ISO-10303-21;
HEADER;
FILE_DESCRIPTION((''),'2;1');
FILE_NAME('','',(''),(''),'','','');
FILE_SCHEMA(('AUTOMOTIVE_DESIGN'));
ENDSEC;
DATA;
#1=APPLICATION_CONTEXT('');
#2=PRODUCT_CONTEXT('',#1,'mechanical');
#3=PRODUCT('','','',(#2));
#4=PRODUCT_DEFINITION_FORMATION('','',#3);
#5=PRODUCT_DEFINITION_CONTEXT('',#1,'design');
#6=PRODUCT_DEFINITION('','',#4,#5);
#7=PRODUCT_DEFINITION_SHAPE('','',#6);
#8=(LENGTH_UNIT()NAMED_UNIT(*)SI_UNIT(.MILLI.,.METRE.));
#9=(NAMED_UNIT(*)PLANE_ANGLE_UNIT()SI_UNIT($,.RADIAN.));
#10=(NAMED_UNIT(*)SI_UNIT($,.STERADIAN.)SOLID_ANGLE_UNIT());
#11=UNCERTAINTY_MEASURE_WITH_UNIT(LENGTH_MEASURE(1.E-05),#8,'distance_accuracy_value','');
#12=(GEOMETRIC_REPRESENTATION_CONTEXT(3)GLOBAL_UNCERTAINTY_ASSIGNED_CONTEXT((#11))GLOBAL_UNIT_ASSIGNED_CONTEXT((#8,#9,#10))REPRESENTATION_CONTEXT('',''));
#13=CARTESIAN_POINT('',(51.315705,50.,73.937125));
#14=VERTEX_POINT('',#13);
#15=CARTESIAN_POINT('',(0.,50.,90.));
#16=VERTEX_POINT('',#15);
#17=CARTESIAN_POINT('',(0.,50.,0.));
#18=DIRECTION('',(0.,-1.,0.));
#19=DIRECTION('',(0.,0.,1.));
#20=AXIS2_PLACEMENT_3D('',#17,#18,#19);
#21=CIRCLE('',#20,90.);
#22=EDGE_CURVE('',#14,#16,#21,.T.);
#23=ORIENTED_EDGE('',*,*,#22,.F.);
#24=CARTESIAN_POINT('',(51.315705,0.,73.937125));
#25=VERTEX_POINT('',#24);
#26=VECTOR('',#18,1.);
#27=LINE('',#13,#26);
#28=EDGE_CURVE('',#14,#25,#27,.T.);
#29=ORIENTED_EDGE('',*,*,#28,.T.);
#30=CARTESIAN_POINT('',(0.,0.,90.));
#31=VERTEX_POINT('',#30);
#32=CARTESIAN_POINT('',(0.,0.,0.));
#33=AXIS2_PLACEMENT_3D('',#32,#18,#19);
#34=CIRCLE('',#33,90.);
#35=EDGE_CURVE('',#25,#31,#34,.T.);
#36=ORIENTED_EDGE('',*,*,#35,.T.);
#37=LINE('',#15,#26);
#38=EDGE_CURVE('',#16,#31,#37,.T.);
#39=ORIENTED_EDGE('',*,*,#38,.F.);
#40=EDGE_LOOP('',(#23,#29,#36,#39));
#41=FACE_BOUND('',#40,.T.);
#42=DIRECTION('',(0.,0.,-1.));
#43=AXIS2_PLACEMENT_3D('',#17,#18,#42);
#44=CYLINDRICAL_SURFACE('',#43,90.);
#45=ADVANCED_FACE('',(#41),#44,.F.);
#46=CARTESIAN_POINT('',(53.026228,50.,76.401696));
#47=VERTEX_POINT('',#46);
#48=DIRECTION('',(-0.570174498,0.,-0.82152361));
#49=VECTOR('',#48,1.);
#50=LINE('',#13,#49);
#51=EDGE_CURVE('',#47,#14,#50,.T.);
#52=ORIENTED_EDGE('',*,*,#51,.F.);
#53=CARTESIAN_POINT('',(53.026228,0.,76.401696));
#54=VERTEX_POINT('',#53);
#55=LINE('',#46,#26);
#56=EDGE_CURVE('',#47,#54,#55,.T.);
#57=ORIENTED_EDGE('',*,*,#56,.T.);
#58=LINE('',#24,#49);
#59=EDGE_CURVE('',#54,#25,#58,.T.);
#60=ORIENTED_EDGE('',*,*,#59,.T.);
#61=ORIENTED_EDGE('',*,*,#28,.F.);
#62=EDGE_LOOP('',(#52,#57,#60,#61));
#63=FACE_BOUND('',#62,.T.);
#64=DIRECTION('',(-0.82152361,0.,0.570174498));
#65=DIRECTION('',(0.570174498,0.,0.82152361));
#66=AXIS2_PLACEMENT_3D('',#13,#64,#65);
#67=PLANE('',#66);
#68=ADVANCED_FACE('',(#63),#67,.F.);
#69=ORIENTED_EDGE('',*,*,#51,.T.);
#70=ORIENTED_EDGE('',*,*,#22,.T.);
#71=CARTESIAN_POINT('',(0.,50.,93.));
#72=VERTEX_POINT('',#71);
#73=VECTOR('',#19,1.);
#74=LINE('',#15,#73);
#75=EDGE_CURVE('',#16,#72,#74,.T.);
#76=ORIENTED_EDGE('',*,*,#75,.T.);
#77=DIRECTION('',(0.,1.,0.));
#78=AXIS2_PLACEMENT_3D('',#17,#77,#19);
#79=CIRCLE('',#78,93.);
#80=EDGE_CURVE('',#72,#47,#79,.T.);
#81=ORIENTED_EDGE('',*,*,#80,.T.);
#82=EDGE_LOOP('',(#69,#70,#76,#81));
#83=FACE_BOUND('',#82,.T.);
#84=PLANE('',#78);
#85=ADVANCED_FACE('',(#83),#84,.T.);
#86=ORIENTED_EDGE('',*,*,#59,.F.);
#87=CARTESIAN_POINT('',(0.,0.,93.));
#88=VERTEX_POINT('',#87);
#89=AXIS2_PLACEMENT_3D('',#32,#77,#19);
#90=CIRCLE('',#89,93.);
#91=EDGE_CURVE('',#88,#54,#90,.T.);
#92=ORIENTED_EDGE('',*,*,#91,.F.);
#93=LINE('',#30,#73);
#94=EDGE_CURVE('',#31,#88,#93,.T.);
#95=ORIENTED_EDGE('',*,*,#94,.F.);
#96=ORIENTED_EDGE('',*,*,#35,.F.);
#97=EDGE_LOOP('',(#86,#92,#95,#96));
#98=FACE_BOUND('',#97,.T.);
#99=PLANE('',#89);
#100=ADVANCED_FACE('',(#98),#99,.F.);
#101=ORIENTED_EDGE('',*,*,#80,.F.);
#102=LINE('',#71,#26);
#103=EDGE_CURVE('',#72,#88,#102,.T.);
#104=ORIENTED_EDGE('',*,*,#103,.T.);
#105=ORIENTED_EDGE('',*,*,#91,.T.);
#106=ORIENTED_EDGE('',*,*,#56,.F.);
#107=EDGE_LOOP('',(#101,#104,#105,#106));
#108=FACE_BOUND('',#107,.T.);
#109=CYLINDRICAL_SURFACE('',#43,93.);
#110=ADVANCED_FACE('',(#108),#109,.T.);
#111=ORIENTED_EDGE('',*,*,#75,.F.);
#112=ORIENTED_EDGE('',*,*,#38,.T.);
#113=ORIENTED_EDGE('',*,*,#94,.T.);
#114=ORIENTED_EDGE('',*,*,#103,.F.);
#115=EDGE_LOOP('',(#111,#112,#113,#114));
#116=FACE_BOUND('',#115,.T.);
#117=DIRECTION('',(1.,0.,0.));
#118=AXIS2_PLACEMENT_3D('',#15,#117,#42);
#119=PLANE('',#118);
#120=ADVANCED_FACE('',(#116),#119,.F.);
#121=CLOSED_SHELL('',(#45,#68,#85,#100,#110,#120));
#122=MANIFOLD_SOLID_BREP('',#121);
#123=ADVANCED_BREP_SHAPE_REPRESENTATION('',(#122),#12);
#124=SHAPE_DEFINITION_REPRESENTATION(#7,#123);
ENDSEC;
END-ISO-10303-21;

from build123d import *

# Parameters (mm, degrees)
BOSS_EXTRUDE1_DEPTH = 50


with BuildPart() as part:
    # Sketch1 → Boss-Extrude1 (new body)
    with BuildSketch(Plane(origin=(0, 0, 0), x_dir=(1, 0, 0), z_dir=(0, 1, 0))):
        with BuildLine():
            Line((0, -90), (0, -93))
            ThreePointArc((0, -93), (27.781669263, -88.753472343), (53.026228271, -76.401695763))
            Line((53.026228271, -76.401695763), (51.315704778, -73.937124932))
            ThreePointArc((51.315704778, -73.937124932), (26.885486384, -85.890457106), (0, -90))
        make_face()
    extrude(amount=BOSS_EXTRUDE1_DEPTH)


solid = part.part
